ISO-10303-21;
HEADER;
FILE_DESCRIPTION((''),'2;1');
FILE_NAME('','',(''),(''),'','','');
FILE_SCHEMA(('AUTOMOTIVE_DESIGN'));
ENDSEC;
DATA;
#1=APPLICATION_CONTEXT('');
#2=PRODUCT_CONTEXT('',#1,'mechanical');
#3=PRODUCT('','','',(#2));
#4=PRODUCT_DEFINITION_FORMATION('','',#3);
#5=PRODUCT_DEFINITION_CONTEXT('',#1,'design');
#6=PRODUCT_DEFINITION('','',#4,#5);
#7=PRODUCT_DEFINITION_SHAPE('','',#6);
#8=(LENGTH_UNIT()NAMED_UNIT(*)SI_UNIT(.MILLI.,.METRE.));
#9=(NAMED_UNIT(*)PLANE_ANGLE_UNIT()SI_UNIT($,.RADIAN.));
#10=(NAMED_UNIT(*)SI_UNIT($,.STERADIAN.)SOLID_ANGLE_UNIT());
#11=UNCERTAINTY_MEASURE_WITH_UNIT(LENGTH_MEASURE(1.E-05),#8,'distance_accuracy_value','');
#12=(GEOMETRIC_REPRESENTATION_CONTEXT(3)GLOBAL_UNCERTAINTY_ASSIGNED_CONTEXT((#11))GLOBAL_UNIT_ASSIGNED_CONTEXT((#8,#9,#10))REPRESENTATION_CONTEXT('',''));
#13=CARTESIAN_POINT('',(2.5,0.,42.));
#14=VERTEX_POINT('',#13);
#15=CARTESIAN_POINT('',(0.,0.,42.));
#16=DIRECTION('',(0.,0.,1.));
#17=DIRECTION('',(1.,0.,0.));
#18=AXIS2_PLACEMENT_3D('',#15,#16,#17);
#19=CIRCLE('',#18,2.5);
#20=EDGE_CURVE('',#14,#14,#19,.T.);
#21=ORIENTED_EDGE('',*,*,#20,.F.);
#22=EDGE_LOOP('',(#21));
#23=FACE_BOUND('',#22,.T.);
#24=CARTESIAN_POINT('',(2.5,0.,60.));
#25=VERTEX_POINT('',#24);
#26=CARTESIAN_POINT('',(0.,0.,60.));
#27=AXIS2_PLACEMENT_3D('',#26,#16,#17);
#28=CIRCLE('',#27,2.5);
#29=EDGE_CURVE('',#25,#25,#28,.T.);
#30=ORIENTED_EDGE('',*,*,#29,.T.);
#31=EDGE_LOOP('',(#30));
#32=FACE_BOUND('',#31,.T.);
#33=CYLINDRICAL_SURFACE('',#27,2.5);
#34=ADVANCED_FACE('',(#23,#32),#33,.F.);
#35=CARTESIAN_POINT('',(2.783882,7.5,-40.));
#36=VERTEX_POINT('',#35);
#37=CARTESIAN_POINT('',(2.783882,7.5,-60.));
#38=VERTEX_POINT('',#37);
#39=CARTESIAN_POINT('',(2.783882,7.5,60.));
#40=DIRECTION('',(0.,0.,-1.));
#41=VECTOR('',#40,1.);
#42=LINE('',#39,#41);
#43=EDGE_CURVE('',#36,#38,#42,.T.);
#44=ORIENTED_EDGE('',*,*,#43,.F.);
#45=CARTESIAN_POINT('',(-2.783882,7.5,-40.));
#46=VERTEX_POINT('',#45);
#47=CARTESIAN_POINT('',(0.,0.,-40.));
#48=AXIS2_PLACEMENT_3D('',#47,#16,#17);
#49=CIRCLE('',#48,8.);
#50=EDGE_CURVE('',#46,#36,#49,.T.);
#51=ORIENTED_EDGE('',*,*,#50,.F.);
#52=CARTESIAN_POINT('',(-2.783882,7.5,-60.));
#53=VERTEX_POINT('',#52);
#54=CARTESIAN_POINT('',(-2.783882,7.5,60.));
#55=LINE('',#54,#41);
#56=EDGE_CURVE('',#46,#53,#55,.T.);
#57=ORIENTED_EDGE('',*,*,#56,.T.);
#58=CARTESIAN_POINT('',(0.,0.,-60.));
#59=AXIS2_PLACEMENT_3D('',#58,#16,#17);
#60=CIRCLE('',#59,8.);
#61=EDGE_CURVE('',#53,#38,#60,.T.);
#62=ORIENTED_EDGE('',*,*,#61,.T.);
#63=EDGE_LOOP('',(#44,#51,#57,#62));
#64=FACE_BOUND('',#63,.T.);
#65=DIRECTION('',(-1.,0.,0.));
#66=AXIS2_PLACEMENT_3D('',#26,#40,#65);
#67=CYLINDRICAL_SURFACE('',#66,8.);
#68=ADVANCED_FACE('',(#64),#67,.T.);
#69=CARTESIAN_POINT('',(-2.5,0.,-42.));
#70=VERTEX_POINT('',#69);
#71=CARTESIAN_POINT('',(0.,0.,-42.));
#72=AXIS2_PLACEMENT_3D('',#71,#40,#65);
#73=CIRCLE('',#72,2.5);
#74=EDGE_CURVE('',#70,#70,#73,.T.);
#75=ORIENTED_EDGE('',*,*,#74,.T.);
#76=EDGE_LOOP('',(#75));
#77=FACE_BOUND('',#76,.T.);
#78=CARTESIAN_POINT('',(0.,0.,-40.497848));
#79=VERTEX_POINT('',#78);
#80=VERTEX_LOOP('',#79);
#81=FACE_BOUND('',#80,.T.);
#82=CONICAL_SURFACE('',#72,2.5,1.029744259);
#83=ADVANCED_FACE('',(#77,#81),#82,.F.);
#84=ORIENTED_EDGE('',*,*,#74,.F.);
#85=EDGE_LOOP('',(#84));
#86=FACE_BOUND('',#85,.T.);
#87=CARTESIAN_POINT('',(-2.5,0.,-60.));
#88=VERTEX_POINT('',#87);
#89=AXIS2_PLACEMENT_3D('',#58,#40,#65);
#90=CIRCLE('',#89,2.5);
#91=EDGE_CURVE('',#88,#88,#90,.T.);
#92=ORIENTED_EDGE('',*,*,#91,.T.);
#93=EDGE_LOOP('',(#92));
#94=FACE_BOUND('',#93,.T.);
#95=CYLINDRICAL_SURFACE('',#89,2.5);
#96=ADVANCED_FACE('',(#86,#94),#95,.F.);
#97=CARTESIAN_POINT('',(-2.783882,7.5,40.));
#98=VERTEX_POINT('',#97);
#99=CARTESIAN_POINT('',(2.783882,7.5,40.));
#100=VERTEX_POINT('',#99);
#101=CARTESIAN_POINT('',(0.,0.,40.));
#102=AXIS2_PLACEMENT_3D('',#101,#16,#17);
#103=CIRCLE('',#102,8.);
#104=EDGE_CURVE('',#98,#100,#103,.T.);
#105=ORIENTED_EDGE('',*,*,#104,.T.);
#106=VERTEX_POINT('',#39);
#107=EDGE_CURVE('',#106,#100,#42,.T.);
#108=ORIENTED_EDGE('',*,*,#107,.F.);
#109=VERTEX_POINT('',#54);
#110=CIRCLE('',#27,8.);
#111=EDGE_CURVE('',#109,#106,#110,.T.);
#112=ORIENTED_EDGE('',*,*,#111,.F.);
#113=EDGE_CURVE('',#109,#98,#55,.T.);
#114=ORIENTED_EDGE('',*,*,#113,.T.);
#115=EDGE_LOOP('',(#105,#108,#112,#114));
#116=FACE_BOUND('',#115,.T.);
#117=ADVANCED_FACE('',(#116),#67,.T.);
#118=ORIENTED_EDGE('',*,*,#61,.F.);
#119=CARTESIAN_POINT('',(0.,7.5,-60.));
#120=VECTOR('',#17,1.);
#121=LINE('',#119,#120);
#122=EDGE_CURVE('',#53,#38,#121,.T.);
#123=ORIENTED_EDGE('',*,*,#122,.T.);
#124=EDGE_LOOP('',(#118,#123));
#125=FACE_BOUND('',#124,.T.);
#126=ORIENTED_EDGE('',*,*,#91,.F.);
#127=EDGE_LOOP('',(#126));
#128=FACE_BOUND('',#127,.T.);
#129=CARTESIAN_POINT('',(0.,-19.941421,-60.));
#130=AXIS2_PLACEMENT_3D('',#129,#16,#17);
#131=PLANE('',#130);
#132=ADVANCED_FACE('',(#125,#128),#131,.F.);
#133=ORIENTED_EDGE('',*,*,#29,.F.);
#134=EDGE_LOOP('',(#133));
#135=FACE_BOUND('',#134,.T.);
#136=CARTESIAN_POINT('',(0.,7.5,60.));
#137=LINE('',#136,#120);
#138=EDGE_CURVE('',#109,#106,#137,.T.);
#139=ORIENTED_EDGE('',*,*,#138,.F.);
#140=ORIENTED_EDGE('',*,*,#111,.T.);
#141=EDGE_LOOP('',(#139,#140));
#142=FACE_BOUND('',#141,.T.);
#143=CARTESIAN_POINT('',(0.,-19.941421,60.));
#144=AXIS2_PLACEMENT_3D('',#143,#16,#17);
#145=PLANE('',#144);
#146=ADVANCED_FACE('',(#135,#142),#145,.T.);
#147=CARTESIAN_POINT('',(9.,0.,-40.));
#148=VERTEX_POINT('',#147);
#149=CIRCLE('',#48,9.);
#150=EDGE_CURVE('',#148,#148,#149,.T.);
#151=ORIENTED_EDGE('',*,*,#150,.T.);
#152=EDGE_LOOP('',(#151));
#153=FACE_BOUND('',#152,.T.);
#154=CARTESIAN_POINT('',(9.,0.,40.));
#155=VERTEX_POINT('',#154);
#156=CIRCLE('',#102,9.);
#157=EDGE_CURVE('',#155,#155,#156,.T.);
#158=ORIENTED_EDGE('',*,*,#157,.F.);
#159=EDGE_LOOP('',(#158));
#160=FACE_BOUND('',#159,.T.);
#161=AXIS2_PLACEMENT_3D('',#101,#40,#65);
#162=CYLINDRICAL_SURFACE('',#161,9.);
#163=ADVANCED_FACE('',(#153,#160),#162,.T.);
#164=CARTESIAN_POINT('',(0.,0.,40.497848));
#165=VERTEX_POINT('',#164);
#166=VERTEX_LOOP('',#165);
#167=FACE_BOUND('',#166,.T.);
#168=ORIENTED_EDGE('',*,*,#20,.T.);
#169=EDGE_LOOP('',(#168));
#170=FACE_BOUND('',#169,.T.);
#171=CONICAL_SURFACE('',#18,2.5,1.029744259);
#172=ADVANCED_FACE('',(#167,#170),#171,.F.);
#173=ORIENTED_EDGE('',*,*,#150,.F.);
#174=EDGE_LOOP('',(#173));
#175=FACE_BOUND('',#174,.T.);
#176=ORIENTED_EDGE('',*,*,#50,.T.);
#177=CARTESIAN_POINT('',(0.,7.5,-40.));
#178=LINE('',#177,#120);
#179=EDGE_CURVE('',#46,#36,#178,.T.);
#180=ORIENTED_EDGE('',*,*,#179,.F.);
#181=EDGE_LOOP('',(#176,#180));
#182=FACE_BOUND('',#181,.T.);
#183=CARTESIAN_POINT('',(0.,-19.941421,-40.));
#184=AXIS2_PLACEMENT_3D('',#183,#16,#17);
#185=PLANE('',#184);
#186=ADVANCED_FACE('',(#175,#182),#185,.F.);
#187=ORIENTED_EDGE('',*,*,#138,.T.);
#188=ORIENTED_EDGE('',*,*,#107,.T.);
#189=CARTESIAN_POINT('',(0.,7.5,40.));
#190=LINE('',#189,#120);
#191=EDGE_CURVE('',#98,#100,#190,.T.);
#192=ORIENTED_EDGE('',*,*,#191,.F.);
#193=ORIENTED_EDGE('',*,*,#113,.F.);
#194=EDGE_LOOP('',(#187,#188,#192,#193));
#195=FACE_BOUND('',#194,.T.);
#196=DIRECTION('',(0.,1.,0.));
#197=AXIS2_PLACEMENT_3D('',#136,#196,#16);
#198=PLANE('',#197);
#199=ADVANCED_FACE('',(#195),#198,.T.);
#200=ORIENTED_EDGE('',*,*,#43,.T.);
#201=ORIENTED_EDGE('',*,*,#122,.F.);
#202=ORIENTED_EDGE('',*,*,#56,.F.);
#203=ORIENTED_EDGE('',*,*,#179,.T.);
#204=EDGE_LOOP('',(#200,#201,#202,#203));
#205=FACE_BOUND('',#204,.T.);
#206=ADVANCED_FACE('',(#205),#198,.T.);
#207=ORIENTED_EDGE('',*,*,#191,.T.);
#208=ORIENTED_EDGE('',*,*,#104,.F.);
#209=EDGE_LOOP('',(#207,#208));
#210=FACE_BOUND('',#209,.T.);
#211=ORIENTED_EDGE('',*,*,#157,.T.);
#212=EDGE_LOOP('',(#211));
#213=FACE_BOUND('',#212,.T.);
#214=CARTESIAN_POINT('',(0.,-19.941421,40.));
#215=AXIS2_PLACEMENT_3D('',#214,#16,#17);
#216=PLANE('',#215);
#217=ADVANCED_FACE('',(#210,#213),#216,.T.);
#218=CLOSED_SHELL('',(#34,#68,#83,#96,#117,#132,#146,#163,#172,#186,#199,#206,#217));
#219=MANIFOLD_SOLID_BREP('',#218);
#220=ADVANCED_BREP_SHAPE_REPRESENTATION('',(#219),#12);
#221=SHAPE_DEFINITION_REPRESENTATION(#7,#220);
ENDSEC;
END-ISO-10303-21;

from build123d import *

# Parameters (mm, degrees)
EXTRUDE_1_DEPTH = 60
SKETCH_1_3_R    = 9
EXTRUDE_2_DEPTH = 40


with BuildPart() as part:
    # 草图1 → 凸台-拉伸1 (new, symmetric)
    with BuildSketch(Plane.XY):
        with BuildLine():
            Line((2.783882181, 7.5), (-2.783882181, 7.5))
            ThreePointArc((-2.783882181, 7.5), (-4.567764363, -6.567764363), (8, 0))
            ThreePointArc((8, 0), (6.567764363, 4.567764363), (2.783882181, 7.5))
        make_face()
    extrude(amount=EXTRUDE_1_DEPTH, both=True)

    # 草图1<3> → 凸台-拉伸2 (add, symmetric)
    with BuildSketch(Plane.XY):
        Circle(SKETCH_1_3_R)
        with BuildLine():
            Line((-2.783882181, 7.5), (2.783882181, 7.5))
            ThreePointArc((2.783882181, 7.5), (0, -8), (-2.783882181, 7.5))
        make_face(mode=Mode.SUBTRACT)
    extrude(amount=EXTRUDE_2_DEPTH, both=True)

    # 草图4 → M6 螺纹孔1 (revolve, cut)
    with BuildSketch(Plane(origin=(0, 0, 60), x_dir=(0, -1, 0), z_dir=(1, 0, 0))):
        Polygon((0, 0), (0, 19.502151548), (2.5, 18), (2.5, 0), align=None)
    hole_wizard_m6_1 = revolve(axis=Axis((0, 0, 66.35), (0, 0, -1)), mode=Mode.SUBTRACT)

    # 镜向1: M6 螺纹孔1 across plane
    add(hole_wizard_m6_1.mirror(Plane.XY), mode=Mode.SUBTRACT)


solid = part.part
